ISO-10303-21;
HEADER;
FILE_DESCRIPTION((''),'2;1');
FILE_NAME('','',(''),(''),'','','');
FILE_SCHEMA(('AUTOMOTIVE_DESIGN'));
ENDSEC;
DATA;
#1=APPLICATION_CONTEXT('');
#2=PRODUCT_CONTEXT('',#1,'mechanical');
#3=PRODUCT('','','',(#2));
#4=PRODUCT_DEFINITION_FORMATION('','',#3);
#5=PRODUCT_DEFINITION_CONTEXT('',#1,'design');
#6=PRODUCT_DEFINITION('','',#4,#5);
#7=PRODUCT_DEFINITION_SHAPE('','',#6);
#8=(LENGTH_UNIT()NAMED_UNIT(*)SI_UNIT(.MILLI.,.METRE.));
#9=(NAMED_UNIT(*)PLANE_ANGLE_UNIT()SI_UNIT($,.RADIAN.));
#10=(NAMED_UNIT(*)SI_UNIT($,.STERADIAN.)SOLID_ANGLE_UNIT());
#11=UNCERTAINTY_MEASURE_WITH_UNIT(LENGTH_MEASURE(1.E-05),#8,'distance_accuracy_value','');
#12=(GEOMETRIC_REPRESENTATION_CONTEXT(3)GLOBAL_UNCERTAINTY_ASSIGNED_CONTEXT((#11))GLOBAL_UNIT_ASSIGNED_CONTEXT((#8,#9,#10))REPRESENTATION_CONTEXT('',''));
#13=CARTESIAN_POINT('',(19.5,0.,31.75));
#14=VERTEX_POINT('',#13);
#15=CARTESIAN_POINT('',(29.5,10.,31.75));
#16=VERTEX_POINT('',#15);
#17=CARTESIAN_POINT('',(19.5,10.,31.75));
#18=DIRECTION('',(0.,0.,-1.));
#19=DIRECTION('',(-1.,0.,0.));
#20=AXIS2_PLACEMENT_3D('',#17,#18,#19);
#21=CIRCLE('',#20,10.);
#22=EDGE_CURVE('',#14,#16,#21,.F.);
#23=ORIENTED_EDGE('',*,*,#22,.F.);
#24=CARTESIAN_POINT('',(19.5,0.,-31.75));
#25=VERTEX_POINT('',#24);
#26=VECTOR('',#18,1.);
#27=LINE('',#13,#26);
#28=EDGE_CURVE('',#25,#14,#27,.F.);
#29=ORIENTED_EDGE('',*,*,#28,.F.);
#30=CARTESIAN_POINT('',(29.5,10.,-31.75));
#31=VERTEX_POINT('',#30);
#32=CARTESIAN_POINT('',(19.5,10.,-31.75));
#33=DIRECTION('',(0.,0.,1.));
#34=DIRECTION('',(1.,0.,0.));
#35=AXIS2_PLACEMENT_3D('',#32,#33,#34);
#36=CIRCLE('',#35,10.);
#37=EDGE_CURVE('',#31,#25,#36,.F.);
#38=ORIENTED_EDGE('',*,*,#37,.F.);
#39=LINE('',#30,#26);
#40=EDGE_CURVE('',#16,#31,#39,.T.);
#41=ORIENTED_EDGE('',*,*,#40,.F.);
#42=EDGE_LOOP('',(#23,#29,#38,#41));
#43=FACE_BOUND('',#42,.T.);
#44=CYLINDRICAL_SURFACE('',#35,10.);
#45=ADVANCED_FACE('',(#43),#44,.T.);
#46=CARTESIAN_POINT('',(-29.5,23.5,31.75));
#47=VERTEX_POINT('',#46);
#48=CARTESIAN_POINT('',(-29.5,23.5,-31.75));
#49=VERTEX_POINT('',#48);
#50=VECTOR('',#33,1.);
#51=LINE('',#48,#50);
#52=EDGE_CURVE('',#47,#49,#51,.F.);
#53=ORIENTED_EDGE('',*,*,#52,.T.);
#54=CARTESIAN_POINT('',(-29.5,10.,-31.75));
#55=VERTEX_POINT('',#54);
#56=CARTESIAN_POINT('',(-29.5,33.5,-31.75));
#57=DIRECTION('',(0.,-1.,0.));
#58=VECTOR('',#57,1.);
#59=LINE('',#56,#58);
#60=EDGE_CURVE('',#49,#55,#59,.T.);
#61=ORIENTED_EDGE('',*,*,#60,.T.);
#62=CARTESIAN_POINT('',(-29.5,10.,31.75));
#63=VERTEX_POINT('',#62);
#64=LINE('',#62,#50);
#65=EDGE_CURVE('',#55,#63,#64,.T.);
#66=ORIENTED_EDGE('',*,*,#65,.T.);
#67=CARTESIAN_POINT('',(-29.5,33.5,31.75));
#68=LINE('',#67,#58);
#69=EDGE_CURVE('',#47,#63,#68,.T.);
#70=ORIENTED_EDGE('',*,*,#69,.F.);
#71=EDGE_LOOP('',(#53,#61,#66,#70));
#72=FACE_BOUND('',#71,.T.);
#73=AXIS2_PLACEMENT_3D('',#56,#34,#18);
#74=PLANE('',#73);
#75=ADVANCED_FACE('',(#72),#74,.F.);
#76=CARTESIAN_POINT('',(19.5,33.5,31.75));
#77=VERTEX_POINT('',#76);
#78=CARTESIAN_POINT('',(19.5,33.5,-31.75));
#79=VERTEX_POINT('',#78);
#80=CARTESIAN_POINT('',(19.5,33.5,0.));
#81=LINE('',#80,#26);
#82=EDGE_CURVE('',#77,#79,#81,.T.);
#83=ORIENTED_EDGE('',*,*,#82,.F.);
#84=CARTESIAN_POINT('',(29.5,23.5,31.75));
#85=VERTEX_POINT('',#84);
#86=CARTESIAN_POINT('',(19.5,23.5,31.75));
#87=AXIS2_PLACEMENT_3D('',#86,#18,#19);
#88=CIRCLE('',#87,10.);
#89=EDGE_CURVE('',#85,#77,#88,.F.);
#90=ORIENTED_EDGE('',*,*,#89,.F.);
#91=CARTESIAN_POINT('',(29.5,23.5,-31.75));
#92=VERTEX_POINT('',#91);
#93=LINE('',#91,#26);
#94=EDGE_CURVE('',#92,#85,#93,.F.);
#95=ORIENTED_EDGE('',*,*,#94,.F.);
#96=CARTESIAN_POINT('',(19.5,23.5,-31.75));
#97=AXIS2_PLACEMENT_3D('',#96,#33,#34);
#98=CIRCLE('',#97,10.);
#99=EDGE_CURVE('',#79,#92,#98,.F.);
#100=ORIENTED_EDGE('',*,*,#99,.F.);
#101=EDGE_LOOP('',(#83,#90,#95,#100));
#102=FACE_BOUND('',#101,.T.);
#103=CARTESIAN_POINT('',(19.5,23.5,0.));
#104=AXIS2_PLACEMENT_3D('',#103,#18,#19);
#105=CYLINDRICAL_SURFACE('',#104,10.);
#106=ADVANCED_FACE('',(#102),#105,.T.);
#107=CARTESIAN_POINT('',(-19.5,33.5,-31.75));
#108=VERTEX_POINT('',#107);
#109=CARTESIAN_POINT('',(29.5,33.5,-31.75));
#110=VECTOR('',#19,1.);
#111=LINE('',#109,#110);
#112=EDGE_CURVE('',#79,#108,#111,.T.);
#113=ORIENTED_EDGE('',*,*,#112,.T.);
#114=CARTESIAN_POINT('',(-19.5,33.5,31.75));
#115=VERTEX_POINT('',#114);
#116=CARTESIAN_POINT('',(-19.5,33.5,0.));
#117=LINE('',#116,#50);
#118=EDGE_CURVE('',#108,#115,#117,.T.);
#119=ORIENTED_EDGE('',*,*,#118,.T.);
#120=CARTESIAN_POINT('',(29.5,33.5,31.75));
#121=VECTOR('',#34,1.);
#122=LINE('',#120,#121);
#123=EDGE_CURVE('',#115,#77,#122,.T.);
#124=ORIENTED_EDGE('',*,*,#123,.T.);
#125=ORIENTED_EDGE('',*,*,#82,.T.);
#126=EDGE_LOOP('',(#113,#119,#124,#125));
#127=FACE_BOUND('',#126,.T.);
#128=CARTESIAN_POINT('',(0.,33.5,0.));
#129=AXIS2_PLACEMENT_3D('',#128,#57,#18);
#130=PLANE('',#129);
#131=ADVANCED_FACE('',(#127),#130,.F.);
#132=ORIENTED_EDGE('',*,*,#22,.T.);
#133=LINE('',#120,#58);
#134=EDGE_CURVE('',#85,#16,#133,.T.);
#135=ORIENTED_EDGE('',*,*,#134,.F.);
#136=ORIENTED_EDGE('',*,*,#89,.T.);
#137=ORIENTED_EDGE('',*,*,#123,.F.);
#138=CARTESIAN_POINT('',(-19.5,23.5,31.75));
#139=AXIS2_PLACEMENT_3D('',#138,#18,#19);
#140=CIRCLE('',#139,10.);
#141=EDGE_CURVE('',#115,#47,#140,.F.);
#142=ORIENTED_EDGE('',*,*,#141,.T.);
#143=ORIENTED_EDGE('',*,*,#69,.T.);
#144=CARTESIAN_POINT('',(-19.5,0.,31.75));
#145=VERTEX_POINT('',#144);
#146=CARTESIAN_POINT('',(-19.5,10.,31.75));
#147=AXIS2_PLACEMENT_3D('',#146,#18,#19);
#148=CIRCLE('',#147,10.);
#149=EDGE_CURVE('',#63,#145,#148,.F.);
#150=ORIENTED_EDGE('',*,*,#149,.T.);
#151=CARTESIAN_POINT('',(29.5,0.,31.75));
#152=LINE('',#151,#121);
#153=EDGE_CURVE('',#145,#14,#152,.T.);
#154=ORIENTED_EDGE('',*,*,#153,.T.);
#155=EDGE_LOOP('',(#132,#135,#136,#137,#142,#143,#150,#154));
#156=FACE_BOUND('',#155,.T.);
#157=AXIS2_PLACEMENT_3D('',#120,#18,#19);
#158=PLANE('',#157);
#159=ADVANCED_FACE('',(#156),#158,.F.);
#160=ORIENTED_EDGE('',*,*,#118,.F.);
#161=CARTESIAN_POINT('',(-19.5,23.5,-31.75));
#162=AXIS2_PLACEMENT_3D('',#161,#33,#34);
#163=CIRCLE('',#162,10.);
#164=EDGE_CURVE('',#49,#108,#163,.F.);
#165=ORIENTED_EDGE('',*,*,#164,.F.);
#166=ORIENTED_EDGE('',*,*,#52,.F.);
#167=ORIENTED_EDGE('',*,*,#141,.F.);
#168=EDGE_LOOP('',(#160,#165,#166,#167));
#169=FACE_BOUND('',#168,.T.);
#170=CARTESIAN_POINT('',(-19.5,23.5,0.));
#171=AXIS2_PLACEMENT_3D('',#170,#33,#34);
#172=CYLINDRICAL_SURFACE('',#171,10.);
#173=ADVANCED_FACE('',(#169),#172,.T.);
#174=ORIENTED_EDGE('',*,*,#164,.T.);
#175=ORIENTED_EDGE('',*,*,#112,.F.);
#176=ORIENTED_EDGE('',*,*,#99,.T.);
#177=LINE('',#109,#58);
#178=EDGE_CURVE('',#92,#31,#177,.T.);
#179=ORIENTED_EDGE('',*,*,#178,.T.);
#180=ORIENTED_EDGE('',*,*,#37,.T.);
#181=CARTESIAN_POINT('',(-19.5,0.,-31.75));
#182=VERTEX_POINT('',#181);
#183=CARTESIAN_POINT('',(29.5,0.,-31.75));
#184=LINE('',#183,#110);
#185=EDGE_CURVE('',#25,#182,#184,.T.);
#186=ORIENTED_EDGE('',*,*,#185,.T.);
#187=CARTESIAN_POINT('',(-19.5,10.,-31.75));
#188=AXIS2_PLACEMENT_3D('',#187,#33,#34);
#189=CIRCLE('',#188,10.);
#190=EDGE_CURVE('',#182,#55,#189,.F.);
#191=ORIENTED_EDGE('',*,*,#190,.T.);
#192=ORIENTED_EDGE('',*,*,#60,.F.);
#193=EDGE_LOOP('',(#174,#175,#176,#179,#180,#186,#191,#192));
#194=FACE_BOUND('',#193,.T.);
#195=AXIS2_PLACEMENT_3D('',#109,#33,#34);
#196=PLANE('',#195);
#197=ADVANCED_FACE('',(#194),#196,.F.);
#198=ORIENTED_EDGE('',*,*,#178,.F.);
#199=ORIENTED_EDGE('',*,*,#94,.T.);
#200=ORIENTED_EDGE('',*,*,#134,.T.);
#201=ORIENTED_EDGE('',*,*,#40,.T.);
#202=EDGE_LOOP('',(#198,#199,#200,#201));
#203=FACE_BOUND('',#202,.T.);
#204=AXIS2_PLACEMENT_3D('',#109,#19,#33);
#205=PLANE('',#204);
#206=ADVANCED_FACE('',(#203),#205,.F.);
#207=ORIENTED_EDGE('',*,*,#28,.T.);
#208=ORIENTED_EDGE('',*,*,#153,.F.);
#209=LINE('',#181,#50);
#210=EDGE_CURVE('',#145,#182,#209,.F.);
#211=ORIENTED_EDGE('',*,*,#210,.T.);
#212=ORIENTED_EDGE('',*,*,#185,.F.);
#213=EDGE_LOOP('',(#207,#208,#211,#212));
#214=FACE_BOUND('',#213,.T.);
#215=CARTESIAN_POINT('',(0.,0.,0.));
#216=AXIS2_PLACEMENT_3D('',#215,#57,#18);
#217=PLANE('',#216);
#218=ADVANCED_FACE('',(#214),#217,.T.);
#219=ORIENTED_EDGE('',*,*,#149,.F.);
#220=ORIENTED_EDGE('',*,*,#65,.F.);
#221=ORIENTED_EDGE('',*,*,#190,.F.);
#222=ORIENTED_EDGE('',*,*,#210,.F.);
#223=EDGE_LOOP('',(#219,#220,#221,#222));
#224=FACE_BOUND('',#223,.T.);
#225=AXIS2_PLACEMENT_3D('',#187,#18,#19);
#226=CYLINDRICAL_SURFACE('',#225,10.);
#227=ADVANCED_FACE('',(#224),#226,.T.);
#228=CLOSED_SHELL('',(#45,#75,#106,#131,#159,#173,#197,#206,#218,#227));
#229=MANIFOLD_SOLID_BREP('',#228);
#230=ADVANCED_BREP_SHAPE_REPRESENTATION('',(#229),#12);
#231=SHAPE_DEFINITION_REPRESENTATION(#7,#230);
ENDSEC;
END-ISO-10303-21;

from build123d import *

# Parameters (mm, degrees)
SKETCH1_W           = 59
SKETCH1_H           = 63.5
BOSS_EXTRUDE1_DEPTH = 33.5
FILLET1_R           = 10


with BuildPart() as part:
    # Sketch1 → Boss-Extrude1 (new body)
    with BuildSketch(Plane(origin=(0, 0, 0), x_dir=(1, 0, 0), z_dir=(0, 1, 0))):
        Rectangle(SKETCH1_W, SKETCH1_H)
    extrude(amount=BOSS_EXTRUDE1_DEPTH)

    # Fillet1
    fillet1_edges = [part.edges().sort_by_distance(p)[0] for p in [
        (29.5, 33.5, 0),
        (-29.5, 33.5, 0),
        (29.5, 0, 0),
        (-29.5, 0, 0),
    ]]
    fillet(fillet1_edges, radius=FILLET1_R)


solid = part.part
